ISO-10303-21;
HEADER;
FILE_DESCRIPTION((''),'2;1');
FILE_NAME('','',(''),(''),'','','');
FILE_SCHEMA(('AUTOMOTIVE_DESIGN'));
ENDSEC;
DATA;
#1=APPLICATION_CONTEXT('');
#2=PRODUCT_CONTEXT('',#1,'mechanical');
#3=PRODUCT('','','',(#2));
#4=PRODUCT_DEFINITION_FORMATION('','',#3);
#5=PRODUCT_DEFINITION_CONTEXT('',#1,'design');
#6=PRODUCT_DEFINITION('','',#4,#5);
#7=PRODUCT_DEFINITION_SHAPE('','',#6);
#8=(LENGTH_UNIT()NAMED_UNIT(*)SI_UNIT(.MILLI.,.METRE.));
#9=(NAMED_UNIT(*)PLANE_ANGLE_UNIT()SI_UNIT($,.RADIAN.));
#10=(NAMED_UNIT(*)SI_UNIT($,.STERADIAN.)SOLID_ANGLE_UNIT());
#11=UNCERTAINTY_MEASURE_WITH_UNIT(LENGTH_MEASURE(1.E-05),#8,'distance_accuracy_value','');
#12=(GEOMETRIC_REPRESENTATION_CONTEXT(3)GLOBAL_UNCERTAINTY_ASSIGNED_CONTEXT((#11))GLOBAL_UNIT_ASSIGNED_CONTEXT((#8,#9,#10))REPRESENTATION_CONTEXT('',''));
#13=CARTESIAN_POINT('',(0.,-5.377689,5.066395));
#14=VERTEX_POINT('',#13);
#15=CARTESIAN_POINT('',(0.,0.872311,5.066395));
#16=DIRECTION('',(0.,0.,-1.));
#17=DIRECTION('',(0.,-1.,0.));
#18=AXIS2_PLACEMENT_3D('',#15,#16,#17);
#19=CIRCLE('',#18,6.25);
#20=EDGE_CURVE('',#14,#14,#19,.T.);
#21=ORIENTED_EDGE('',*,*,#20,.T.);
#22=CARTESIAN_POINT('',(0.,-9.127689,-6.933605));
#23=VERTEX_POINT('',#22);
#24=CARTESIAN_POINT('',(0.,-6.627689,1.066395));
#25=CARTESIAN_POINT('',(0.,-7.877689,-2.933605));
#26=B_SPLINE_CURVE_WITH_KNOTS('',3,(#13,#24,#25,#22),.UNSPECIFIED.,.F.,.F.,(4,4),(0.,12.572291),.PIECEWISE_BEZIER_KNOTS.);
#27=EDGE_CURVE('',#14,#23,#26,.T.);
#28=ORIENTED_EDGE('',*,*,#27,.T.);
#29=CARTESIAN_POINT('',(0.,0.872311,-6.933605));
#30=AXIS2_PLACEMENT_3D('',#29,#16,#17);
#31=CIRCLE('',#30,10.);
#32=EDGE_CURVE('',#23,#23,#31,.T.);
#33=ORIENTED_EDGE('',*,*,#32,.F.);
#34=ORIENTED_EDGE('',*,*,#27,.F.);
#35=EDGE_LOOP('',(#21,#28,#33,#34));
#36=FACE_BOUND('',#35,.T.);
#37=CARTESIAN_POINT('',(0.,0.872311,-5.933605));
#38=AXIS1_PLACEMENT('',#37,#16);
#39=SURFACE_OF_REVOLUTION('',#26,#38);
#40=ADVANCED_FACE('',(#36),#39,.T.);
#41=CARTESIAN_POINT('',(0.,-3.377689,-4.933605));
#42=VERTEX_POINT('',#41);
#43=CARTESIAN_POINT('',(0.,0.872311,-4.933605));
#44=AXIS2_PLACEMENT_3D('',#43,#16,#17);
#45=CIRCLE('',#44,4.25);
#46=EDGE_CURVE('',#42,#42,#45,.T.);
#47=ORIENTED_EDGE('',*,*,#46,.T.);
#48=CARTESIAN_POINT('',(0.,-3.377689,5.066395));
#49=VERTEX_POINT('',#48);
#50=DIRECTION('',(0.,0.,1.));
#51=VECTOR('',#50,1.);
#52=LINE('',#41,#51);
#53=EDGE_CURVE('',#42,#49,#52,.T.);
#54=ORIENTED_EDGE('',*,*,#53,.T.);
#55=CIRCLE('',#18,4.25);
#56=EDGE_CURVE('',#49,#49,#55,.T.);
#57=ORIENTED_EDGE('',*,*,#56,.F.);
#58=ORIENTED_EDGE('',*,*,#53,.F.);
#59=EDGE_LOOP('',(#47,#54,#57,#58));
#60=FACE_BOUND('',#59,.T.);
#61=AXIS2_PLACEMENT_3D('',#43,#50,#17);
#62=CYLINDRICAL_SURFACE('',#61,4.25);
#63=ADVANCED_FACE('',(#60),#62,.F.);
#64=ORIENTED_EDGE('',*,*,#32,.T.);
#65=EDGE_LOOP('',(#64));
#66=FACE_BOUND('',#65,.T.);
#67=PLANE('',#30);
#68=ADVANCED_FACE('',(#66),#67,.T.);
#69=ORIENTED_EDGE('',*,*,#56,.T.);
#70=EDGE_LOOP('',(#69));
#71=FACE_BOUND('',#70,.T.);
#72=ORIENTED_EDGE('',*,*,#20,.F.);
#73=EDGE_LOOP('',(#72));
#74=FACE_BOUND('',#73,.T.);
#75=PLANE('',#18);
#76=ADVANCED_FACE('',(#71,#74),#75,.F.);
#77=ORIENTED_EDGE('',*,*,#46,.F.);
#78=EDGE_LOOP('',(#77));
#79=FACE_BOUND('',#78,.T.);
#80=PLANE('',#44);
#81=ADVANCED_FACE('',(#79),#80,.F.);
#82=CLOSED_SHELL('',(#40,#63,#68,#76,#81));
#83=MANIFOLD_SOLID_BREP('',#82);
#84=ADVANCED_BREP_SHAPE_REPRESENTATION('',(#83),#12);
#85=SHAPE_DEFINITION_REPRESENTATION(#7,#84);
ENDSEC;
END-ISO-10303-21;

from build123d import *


with BuildPart() as f1:
    # F0 (on Right) → F1 (revolve)
    with BuildSketch(Plane.YZ):
        with BuildLine():
            Line((0.872311, -4.933605), (-3.377689, -4.933605))
            Line((-3.377689, -4.933605), (-3.377689, 5.066395))
            Line((-3.377689, 5.066395), (-5.377689, 5.066395))
            add(Edge.make_bspline(
                [(-5.377689, 5.066395), (-6.627689, 1.066395), (-7.877689, -2.933605), (-9.127689, -6.933605)],
                knots=[0, 0, 0, 0, 12.572291, 12.572291, 12.572291, 12.572291], degree=3))
            Line((-9.127689, -6.933605), (0.872311, -6.933605))
            Line((0.872311, -6.933605), (0.872311, -4.933605))
        make_face()
    revolve(axis=Axis((0, 0.872311, -5.933605), (0, 0, -1)))


solid = f1.part
